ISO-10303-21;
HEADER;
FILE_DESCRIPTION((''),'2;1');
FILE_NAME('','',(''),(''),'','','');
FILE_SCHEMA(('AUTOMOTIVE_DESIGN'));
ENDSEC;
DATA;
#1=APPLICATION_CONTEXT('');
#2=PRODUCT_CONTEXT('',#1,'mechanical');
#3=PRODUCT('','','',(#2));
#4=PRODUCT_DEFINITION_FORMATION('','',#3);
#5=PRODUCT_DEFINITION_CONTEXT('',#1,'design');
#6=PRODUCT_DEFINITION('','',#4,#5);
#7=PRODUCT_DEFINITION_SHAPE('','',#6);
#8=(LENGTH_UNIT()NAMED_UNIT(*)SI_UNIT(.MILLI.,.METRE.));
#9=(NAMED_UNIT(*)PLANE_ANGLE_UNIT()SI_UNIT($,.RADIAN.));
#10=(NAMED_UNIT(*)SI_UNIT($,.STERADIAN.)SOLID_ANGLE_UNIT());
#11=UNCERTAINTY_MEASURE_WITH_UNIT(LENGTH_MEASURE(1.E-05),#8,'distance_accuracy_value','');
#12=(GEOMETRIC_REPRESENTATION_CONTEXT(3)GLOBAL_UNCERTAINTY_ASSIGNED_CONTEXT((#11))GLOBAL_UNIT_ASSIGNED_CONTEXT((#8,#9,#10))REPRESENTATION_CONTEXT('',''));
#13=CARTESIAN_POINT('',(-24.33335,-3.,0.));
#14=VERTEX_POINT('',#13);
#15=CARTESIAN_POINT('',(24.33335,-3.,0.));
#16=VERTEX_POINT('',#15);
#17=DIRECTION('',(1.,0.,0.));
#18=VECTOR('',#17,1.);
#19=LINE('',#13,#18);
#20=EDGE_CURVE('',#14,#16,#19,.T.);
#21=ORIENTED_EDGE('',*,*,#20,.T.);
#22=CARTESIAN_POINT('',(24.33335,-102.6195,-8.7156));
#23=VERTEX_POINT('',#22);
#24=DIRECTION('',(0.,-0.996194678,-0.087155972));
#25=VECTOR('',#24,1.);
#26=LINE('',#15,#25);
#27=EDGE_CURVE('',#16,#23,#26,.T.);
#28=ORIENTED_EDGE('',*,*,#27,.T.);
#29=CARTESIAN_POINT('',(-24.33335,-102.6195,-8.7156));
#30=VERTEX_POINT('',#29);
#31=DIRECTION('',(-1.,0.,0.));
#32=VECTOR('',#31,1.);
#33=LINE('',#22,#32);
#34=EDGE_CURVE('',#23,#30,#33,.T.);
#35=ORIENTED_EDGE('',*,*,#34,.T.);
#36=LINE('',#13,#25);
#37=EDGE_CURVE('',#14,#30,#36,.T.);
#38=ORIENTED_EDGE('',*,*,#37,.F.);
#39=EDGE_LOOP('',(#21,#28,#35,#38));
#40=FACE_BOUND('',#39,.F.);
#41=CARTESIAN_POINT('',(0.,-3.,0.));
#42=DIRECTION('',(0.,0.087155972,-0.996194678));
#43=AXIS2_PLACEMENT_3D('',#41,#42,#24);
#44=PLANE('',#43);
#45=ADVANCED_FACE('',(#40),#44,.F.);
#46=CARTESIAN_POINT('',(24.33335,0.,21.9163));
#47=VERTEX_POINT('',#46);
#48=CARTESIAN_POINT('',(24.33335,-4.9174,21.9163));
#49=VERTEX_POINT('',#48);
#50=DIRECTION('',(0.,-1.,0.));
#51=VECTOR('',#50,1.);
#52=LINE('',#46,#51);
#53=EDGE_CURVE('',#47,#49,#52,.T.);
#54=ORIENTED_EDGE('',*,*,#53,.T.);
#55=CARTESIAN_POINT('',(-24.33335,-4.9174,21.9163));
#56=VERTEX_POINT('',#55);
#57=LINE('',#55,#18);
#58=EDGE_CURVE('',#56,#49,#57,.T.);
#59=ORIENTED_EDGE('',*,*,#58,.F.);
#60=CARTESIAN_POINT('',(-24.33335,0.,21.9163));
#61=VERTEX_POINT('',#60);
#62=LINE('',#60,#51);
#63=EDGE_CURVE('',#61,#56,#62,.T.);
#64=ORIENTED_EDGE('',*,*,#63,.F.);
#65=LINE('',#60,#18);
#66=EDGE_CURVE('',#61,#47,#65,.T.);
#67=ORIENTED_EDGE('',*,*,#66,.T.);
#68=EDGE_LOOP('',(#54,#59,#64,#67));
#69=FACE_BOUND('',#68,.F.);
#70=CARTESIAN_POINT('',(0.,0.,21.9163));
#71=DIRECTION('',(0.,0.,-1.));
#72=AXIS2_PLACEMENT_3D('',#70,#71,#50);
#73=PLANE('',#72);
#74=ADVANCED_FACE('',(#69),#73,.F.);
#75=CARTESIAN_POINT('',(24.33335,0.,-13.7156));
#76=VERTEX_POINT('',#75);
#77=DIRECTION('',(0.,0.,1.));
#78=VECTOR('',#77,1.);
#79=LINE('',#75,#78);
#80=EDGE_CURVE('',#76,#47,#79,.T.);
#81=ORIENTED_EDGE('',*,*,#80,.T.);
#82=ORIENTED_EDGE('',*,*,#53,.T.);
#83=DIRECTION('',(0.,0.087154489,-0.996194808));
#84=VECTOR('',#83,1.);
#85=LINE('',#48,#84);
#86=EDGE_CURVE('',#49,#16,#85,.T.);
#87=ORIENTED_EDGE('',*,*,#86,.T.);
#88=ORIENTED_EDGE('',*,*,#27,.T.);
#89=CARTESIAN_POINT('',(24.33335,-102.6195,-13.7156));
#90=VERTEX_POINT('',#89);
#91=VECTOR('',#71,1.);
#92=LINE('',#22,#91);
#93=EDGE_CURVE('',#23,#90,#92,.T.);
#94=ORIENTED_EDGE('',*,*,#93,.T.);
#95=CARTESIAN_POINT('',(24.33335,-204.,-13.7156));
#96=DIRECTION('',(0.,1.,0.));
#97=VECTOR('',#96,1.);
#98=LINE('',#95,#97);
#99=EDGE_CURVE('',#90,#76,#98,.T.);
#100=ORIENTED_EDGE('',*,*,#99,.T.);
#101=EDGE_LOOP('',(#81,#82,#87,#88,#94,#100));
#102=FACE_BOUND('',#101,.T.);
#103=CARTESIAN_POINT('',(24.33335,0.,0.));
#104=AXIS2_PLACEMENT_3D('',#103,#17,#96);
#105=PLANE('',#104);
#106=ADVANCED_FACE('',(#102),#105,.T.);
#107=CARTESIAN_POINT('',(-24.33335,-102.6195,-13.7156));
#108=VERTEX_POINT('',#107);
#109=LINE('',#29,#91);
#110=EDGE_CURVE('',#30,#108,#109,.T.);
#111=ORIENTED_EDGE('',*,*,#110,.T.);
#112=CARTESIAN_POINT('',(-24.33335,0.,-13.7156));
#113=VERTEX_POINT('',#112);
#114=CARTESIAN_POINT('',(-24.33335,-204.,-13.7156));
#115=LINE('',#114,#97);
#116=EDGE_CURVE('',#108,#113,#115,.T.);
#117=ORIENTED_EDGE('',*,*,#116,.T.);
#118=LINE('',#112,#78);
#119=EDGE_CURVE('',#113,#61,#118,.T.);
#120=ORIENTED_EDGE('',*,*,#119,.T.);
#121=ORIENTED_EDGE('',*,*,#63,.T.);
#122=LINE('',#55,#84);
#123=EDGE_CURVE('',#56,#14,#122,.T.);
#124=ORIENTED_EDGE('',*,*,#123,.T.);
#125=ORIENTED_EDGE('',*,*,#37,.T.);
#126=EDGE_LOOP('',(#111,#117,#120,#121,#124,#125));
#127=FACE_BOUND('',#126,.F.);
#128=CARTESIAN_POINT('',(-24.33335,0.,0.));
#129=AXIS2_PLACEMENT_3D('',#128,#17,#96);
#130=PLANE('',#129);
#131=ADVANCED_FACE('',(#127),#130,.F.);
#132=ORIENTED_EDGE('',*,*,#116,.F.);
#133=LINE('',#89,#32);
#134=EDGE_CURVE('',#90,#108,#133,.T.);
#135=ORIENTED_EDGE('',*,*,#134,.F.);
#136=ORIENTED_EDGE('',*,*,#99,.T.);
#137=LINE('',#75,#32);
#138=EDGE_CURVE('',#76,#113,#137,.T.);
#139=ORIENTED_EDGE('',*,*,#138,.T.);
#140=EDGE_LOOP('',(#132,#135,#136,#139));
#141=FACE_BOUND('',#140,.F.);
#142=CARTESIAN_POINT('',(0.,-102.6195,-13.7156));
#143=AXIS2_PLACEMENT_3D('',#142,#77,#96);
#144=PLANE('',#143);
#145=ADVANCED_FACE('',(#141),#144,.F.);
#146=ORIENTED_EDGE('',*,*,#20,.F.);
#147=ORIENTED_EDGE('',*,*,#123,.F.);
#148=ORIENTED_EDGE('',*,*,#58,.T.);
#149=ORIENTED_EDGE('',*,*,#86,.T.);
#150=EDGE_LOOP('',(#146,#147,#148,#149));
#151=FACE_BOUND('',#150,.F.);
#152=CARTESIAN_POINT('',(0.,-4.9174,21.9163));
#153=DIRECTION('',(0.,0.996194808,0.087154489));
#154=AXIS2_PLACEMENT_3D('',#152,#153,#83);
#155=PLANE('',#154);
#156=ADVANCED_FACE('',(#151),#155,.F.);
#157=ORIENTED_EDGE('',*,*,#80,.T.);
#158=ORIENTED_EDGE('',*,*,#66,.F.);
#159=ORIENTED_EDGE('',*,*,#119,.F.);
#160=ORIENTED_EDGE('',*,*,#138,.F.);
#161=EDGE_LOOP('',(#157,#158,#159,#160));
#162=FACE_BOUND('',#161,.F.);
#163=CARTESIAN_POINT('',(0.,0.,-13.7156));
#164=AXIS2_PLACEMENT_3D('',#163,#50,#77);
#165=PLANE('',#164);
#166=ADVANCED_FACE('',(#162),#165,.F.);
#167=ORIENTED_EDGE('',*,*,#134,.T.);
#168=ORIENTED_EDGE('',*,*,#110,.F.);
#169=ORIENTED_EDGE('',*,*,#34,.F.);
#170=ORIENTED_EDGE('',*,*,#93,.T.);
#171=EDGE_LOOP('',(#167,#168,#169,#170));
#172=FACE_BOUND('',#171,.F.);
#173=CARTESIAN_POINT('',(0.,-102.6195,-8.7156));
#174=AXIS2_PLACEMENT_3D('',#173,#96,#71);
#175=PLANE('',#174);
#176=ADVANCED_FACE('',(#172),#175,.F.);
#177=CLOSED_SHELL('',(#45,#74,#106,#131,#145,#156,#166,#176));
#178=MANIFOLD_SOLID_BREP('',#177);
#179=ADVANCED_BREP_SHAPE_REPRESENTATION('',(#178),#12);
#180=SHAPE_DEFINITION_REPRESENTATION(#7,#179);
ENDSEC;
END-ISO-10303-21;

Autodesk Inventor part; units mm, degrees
ref_plane "YZ Plane" through (0, 0, 0) normal (1, 0, 0) x (0, 1, 0)
ref_plane "XZ Plane" through (0, 0, 0) normal (0, 1, 0) x (-1, 0, 0)
ref_plane "XY Plane" through (0, 0, 0) normal (0, 0, 1) x (1, 0, 0)
sketch "Sketch1" plane through (0, 0, 0) normal (1, 0, 0) x (0, 1, 0)
  line L0 (0, 21.9163) -> (-204, 21.9163)
  line L1 (-204, 21.9163) -> (-204, -13.7156)
  line L2 (-204, -13.7156) -> (0, -13.7156)
  line L3 (0, -13.7156) -> (0, 21.9163)
  line L4 (-4.9174, 21.9163) -> (-3, 0)
  line L5 (-3, 0) -> (-102.6195, -8.7156)
  line L6 (-102.6195, -8.7156) -> (-102.6195, -13.7156)
  line L7 (-102.6195, -13.7156) -> (0, -13.7156)
  point P0 (0, 0)
  dimension "d0" = 204
  dimension "d2" = 22
  dimension "d3" = 85
  dimension "d5" = 3
  dimension "d6" = 100
  dimension "d7" = 5
extrude "Extrusion1" add sketch "Sketch1" along normal mid plane 48.6667 contours L3 L2 L6 L5 L4 L0
properties part number "stand"
